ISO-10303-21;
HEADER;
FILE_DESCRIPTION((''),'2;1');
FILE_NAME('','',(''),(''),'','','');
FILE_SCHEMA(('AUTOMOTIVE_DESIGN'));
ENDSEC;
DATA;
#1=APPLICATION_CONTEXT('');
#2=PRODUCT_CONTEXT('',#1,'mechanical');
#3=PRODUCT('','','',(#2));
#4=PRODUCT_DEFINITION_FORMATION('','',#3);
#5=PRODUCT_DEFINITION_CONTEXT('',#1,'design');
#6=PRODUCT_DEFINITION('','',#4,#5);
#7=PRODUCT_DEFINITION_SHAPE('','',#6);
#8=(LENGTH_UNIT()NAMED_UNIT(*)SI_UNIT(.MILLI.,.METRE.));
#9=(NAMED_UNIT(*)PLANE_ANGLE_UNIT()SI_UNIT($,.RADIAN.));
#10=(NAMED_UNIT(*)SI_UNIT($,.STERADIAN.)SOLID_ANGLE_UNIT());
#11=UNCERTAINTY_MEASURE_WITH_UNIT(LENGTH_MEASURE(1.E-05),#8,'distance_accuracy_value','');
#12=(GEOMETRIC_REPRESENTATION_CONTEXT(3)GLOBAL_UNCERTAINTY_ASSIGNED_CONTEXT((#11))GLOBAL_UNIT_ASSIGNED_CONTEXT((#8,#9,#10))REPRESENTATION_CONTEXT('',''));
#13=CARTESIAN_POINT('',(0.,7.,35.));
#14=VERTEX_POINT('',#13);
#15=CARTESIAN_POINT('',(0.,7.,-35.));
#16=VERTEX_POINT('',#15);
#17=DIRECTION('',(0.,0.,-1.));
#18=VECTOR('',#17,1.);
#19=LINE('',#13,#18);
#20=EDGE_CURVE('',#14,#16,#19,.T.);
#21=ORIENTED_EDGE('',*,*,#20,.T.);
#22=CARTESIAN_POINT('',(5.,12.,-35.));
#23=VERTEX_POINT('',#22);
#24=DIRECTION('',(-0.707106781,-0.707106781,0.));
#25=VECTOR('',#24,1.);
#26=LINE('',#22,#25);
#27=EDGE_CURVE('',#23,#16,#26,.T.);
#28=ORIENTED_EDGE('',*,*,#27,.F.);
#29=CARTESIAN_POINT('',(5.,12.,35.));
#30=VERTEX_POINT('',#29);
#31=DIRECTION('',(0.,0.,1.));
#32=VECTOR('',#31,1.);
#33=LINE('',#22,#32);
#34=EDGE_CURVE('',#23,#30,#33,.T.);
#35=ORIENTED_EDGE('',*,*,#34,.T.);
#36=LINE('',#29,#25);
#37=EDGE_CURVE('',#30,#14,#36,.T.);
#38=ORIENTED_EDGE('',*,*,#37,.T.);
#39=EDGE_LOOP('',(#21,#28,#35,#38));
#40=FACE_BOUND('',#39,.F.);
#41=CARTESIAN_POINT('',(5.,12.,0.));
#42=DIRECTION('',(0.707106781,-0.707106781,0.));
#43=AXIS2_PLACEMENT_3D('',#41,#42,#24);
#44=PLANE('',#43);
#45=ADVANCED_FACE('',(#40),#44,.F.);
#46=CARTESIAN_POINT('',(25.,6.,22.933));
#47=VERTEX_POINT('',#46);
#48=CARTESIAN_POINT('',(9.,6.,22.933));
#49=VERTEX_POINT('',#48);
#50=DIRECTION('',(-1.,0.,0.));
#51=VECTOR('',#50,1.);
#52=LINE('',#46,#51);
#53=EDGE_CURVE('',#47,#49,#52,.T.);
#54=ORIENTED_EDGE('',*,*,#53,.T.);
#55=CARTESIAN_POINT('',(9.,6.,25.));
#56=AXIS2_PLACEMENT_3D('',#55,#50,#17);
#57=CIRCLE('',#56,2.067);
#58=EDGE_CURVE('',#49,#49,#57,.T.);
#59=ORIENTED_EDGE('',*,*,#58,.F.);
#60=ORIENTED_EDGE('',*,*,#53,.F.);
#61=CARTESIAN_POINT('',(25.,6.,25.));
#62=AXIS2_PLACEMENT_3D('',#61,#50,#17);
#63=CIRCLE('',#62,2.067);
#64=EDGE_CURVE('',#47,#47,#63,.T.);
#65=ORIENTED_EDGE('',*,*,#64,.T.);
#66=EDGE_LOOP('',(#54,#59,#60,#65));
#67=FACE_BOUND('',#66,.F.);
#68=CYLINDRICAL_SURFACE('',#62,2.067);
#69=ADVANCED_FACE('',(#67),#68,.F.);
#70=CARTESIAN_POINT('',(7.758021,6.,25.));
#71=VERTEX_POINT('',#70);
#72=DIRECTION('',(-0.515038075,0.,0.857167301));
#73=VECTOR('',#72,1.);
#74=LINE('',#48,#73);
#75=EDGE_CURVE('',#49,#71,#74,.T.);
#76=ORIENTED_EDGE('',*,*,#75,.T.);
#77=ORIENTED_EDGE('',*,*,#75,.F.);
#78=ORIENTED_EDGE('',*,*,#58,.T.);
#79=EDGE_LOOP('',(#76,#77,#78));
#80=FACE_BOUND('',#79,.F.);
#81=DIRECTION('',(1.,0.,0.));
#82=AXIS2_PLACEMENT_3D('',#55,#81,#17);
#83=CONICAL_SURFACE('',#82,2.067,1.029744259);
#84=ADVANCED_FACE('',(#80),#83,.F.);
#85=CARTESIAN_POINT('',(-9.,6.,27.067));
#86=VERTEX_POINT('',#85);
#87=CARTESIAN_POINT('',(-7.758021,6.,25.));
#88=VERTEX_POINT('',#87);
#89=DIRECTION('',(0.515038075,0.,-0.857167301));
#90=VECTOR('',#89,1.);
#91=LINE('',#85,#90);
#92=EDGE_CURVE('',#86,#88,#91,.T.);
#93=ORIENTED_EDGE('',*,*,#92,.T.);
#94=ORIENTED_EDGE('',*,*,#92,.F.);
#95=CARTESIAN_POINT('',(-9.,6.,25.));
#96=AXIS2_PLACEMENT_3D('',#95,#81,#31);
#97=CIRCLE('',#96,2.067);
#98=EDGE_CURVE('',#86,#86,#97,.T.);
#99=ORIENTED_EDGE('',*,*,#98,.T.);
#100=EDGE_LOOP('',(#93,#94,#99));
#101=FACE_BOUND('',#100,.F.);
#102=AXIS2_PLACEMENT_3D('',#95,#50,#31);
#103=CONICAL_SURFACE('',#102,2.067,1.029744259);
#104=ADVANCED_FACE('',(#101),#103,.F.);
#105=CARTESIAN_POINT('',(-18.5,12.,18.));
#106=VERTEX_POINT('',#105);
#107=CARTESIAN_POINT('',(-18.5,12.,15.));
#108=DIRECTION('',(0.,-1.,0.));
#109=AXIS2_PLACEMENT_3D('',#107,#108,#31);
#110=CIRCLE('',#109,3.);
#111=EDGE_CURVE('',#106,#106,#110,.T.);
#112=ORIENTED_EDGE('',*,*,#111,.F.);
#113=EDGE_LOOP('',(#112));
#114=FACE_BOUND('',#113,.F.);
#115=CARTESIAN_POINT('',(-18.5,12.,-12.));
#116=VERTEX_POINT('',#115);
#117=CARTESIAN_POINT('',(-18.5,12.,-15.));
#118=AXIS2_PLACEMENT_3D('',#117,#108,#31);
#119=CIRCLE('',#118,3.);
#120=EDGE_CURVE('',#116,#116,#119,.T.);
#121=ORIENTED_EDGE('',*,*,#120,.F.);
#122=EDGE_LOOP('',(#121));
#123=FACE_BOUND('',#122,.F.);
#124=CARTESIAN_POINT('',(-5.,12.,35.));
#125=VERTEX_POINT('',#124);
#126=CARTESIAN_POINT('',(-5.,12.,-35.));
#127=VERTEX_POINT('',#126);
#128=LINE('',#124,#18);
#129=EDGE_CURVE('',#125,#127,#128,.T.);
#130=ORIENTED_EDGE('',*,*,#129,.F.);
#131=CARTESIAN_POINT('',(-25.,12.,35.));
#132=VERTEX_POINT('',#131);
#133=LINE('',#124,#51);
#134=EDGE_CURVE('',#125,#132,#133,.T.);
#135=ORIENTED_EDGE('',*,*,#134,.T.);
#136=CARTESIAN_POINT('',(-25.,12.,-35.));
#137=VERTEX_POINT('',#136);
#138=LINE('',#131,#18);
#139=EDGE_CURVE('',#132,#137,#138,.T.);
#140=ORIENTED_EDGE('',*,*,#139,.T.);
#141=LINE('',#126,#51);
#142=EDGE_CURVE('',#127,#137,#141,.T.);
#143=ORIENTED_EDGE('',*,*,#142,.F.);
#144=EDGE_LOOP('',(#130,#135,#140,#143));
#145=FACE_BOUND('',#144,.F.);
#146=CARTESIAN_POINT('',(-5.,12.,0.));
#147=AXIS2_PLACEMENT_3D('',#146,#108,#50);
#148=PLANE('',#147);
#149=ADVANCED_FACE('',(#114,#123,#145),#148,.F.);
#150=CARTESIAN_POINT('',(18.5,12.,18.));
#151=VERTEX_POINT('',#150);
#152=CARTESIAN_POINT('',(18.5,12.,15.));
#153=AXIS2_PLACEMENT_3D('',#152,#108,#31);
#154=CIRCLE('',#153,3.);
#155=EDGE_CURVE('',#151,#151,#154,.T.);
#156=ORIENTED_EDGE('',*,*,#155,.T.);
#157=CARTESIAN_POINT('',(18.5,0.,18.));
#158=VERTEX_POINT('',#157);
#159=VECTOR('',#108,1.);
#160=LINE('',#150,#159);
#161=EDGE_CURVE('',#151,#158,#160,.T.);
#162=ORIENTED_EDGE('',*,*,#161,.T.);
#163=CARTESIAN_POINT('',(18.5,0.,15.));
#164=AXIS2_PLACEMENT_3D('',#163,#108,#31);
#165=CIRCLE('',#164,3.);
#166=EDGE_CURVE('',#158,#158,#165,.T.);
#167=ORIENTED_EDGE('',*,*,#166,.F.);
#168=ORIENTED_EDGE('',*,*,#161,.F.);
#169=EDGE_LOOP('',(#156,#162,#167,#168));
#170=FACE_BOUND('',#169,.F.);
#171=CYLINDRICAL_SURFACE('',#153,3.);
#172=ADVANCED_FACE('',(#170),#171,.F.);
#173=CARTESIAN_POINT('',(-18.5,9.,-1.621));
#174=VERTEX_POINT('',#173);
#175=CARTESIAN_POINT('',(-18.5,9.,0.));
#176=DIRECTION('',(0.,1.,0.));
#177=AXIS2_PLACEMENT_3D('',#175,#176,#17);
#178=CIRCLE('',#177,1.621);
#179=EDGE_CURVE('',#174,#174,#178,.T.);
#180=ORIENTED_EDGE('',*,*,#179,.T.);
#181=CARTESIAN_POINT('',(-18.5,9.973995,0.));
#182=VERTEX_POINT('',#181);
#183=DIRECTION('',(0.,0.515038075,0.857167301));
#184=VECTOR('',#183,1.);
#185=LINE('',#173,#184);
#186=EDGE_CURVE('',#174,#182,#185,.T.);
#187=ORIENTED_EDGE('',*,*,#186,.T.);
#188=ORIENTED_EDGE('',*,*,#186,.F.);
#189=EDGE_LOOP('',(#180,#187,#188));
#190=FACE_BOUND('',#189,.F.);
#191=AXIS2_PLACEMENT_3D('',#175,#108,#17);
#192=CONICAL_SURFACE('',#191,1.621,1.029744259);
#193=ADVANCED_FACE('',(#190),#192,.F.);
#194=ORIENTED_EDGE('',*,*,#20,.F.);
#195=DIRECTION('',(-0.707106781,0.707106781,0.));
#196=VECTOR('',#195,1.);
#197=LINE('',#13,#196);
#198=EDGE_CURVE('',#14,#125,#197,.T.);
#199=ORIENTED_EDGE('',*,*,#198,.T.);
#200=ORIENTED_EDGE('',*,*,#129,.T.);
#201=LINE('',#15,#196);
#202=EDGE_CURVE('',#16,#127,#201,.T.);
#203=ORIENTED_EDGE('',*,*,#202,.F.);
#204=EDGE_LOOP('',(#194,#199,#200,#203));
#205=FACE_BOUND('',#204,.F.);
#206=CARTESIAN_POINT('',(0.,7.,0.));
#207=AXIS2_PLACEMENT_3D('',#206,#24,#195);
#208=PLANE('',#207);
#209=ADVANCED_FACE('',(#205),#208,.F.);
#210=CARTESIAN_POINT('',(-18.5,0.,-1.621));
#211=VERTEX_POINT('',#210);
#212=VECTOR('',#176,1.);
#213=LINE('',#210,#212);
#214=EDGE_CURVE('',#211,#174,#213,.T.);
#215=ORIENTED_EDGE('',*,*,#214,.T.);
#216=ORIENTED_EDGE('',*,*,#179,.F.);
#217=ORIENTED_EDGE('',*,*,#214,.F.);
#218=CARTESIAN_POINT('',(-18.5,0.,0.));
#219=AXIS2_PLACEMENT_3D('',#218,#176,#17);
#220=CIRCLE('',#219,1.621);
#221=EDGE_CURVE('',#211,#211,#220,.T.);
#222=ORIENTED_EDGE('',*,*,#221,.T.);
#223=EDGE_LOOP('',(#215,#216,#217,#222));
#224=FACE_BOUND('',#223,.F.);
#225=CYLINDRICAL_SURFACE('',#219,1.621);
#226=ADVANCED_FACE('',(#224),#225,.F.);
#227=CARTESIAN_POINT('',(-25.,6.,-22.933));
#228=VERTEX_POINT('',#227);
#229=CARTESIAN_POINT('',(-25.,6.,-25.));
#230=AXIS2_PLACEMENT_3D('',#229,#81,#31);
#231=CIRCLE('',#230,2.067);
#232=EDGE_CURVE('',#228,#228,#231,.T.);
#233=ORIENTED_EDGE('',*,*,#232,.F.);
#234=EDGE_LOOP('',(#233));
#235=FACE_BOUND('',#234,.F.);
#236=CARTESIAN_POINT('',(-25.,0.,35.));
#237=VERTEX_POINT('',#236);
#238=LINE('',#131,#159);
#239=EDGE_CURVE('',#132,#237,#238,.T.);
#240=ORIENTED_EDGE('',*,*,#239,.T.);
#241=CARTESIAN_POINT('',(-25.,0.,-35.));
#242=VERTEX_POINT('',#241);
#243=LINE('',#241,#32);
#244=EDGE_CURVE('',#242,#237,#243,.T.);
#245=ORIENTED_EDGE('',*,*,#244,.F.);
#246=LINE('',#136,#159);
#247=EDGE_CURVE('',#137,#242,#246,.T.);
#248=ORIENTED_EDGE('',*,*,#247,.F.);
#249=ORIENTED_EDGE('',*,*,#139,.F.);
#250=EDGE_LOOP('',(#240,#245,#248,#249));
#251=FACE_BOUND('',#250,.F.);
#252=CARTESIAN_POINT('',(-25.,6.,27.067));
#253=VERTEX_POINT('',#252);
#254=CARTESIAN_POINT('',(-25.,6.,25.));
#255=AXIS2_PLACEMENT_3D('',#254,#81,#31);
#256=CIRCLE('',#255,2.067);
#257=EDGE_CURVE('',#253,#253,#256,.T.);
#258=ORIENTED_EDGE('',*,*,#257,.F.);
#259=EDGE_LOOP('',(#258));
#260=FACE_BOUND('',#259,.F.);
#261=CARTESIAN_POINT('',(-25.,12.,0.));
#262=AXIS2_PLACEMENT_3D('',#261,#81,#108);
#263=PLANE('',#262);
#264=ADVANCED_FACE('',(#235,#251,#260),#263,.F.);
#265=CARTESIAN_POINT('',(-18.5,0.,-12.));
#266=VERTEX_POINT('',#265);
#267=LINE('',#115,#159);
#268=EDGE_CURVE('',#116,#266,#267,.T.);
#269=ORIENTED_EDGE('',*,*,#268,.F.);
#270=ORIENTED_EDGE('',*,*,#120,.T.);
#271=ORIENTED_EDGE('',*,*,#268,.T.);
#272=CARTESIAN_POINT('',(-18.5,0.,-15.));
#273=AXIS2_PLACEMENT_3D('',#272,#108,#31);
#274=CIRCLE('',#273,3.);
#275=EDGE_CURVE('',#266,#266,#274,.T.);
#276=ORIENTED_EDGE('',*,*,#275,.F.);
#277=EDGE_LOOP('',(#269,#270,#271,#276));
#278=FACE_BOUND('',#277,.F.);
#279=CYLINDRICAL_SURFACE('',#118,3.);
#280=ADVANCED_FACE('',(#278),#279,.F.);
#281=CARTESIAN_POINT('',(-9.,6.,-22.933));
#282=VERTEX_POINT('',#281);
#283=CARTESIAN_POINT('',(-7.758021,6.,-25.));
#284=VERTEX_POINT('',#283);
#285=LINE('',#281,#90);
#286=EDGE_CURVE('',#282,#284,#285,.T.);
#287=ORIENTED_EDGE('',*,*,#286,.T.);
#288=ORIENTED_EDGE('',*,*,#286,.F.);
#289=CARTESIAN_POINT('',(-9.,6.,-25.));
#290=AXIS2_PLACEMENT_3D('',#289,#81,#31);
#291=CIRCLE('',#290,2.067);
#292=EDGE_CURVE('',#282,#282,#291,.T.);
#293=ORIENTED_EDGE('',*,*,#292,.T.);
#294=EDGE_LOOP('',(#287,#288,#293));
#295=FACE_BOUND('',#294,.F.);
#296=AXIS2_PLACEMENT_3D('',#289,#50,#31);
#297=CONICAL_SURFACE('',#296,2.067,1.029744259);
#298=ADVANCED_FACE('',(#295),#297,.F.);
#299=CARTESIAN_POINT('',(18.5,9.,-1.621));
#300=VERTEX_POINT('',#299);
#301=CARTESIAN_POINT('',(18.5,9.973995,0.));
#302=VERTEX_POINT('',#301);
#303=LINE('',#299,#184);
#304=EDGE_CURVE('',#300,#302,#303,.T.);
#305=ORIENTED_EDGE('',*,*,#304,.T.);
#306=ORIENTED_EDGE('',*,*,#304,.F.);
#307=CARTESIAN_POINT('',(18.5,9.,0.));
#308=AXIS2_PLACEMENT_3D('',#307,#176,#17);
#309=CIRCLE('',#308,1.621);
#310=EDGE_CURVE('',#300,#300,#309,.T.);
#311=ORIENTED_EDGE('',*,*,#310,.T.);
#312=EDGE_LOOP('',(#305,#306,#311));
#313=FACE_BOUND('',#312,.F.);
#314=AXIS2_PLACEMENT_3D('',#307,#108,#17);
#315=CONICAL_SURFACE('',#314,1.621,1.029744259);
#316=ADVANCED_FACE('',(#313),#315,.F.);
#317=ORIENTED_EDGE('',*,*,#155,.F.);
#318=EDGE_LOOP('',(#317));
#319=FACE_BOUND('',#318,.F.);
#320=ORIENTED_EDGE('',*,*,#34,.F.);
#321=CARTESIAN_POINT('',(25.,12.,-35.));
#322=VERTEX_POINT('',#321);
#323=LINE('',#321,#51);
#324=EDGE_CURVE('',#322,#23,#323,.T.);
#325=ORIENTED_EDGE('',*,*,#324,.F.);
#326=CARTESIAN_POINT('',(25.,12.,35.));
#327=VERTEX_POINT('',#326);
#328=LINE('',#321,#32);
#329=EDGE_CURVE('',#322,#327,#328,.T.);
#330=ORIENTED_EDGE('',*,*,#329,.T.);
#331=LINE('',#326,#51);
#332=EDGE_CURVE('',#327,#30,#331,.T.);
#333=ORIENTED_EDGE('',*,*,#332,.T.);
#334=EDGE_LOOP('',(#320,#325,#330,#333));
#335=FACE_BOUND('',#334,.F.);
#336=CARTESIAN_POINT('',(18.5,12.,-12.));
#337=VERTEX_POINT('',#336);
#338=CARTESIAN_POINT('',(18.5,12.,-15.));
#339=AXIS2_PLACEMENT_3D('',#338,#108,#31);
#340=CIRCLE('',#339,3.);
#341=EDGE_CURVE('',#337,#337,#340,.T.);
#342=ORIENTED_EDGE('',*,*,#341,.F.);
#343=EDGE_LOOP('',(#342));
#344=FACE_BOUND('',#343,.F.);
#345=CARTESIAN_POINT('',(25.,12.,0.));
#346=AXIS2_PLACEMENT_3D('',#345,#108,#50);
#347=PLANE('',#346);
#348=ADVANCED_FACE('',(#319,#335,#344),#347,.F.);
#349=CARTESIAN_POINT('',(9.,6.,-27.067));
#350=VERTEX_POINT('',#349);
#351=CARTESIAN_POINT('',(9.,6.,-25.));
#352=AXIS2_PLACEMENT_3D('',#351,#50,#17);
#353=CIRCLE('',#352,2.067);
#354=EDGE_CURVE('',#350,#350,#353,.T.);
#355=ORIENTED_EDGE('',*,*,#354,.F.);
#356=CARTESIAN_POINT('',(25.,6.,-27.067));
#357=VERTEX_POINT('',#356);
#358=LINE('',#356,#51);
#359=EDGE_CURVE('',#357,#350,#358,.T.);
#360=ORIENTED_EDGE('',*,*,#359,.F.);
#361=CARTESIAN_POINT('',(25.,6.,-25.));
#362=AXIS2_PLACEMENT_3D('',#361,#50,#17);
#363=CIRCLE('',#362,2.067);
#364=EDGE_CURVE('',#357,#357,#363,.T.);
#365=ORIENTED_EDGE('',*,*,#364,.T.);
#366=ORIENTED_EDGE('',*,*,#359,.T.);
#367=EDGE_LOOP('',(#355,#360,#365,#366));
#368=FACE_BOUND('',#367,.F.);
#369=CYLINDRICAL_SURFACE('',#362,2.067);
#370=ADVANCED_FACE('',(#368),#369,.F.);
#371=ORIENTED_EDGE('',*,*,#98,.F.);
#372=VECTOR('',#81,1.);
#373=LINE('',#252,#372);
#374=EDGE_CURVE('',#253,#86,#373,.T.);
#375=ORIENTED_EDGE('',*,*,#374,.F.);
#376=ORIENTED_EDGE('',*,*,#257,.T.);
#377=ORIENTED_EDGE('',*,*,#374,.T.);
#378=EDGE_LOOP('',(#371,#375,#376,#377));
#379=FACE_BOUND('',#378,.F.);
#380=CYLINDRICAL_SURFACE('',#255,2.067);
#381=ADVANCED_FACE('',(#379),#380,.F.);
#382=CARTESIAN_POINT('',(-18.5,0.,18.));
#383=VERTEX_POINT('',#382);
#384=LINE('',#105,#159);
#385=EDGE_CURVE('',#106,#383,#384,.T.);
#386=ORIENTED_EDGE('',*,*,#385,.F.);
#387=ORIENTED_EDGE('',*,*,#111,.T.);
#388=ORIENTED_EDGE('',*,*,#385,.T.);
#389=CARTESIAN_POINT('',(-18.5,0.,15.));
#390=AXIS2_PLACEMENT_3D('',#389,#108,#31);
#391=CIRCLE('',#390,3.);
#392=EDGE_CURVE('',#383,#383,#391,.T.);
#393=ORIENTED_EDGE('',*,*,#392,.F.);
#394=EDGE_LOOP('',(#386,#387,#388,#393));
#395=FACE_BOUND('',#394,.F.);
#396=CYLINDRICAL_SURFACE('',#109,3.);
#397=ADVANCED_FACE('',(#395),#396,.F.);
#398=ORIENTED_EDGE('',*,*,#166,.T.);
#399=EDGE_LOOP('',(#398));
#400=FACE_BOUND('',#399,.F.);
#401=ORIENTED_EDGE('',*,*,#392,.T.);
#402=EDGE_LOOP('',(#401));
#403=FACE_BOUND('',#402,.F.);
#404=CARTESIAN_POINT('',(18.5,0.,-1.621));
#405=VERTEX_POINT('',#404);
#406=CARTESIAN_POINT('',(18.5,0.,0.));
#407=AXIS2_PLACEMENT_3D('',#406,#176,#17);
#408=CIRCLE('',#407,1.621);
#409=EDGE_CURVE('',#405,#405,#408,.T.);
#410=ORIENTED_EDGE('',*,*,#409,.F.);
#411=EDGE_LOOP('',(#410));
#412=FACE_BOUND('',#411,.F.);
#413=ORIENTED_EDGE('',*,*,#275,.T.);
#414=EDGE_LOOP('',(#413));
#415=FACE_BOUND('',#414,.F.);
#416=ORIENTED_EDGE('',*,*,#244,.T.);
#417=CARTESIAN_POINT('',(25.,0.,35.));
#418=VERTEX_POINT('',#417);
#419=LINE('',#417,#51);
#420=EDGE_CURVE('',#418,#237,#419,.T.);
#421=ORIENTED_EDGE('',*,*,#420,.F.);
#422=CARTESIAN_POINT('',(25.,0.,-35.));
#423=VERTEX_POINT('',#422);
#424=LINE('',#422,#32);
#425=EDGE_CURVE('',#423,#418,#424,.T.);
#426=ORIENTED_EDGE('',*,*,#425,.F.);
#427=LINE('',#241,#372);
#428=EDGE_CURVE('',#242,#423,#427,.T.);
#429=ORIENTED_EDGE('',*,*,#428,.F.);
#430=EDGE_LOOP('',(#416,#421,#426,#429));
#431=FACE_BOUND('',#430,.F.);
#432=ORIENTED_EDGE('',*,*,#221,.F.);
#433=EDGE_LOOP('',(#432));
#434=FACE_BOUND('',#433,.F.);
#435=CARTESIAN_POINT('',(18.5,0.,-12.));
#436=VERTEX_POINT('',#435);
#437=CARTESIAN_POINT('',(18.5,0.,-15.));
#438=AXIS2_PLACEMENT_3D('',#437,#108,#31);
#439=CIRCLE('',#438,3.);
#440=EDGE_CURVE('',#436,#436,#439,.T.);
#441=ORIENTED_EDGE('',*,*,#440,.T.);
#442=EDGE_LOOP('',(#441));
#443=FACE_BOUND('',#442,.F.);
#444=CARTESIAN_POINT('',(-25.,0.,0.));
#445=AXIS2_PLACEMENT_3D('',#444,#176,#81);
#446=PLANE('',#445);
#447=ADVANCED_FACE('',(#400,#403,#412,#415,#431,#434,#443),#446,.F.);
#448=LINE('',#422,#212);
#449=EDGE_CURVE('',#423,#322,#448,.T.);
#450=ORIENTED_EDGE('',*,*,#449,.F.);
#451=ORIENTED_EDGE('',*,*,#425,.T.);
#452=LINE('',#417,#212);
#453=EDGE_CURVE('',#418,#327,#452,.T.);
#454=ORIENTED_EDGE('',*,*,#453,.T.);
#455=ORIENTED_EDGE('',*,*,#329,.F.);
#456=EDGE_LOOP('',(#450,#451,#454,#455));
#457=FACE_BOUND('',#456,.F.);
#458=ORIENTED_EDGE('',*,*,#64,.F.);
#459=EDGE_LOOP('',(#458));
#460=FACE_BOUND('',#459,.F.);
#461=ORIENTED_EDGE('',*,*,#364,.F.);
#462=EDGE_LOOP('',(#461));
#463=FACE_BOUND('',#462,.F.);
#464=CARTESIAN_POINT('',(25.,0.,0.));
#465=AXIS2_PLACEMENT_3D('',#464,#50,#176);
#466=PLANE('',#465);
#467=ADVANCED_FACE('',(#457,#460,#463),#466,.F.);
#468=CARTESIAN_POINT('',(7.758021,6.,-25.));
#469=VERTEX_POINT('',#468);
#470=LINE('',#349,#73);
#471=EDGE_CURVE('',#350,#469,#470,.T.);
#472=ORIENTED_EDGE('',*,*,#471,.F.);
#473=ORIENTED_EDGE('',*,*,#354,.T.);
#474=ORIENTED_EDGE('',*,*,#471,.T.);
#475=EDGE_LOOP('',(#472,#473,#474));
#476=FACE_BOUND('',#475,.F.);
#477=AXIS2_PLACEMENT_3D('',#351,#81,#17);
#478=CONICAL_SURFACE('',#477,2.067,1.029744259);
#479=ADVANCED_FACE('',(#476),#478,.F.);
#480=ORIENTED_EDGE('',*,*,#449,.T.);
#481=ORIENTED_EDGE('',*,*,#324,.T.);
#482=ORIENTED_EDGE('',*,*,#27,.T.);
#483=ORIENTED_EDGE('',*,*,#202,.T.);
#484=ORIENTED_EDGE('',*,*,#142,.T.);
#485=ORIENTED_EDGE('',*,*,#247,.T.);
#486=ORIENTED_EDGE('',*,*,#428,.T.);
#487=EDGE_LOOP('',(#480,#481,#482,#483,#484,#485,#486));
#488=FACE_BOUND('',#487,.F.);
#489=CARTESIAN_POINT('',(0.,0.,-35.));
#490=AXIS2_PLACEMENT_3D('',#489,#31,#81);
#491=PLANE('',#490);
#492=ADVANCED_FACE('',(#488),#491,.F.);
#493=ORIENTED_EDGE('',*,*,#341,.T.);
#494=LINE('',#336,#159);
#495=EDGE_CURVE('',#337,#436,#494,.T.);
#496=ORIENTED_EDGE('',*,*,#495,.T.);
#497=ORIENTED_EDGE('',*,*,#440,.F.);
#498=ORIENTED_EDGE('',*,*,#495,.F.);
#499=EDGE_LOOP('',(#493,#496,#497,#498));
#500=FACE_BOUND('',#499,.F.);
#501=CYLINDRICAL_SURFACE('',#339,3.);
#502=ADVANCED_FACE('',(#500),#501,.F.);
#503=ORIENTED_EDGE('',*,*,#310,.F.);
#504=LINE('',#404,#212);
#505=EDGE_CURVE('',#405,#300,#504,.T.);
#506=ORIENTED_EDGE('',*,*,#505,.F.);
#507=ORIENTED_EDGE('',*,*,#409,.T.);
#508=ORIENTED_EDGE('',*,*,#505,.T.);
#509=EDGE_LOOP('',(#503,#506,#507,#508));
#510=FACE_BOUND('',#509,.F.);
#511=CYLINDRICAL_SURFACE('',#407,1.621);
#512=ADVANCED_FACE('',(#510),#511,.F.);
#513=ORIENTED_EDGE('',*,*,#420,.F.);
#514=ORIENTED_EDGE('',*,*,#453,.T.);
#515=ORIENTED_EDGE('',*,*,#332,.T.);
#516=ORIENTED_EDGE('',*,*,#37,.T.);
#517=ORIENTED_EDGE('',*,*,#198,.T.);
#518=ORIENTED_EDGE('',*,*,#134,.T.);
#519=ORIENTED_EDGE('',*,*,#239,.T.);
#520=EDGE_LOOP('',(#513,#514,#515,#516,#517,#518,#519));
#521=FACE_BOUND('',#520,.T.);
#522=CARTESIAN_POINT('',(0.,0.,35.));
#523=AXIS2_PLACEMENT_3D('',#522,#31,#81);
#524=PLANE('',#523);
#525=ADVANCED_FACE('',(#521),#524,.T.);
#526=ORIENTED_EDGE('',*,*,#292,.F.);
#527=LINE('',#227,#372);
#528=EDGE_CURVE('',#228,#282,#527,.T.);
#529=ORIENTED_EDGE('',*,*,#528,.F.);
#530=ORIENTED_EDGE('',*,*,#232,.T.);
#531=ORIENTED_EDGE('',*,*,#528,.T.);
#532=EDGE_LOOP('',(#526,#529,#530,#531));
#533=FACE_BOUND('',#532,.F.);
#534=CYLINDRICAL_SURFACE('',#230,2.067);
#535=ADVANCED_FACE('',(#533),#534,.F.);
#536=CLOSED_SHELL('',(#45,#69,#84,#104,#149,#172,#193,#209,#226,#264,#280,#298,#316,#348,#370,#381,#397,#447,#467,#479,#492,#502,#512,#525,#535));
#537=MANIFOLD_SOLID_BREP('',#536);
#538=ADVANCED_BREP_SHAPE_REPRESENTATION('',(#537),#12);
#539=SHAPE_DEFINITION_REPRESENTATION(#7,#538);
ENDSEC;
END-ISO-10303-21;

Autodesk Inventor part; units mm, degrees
ref_plane "YZ Plane" through (0, 0, 0) normal (1, 0, 0) x (0, 1, 0)
ref_plane "XZ Plane" through (0, 0, 0) normal (0, 1, 0) x (-1, 0, 0)
ref_plane "XY Plane" through (0, 0, 0) normal (0, 0, 1) x (1, 0, 0)
sketch "Skizze_Grundkörper" plane through (0, 0, 0) normal (0, 0, 1) x (1, 0, 0)
  line L0 (-25, 0) -> (25, 0)
  line L1 (25, 0) -> (25, 12)
  line L2 (25, 12) -> (5, 12)
  line L3 (-35, 0) -> (35, 0)
  line L4 (0, -2.4) -> (0, 14.4)
  line L5 (5, 12) -> (0, 7)
  line L6 (0, 7) -> (-5, 12)
  line L7 (-5, 12) -> (-25, 12)
  line L8 (-25, 12) -> (-25, 0)
  point P0 (0, 0)
  dimension "Breite" = 50
  dimension "Höhe" = 12
  dimension "Nuttiefe" = 5
  dimension "Nutwinkel" = 90
extrude "Grundkörper" add sketch "Skizze_Grundkörper" along normal mid plane 70
sketch "Skizze_Bohrung_6H7" plane through (-25, 12, 35) normal (0, 1, 0) x (1, 0, 0)
  line L0 (-10, 35) -> (60, 35)
  line L1 (25, 84) -> (25, -14)
  point P0 (25, 35)
  point P1 (6.5, 50)
  point P2 (43.5, 50)
  point P3 (43.5, 20)
  point P4 (6.5, 20)
  dimension "Abstand_Breite_Bohrung_6H7" = 37
  dimension "Abstand_Länge_Bohrung_6H7" = 30
hole "Bohrung_6H7" at (-18.5, 12, -15) at (18.5, 12, -15) at (18.5, 12, 15) at (-18.5, 12, 15) direction (0, -1, 0) diameter 6 end through all
sketch "Skizze_Gewinde_M4" plane through (-25, 0, 35) normal (0, -1, 0) x (1, 0, 0)
  line L0 (-10, -35) -> (60, -35)
  line L1 (25, -84) -> (25, 14)
  point P0 (25, -35)
  point P1 (6.5, -35)
  point P2 (43.5, -35)
  dimension "Abstand_Breite_Gewinde_M4" = 37
hole "Gewinde_M4" at (-18.5, 0, 0) at (18.5, 0, 0) direction (0, 1, 0) diameter 3.242 depth 9 tip angle 118
sketch "Skizze_Gewinde_M5" plane through (25, 0, 35) normal (1, 0, 0) x (0, 0, -1)
  line L0 (35, -2.4) -> (35, 14.4)
  line L1 (84, 0) -> (-14, 0)
  point P0 (35, 0)
  point P1 (10, 6)
  point P2 (60, 6)
  dimension "Abstand_Länge_Gewinde_M5" = 50
  dimension "Abstand_Höhe_Gewinde_M5" = 6
hole "Gewinde_M5" at (25, 6, 25) at (25, 6, -25) direction (-1, 0, 0) diameter 4.134 depth 16 tip angle 118
pattern_circular "Anordnung_Gewinde_M5" count 2 over 360 about axis through (0, -10, 0) along (0, 1, 0) of "Gewinde_M5"
equation "\"Abstand_Höhe_Gewinde_M5\" = 0.5 * Höhe"
properties part number "Unterstempel_2016_iLogic"
